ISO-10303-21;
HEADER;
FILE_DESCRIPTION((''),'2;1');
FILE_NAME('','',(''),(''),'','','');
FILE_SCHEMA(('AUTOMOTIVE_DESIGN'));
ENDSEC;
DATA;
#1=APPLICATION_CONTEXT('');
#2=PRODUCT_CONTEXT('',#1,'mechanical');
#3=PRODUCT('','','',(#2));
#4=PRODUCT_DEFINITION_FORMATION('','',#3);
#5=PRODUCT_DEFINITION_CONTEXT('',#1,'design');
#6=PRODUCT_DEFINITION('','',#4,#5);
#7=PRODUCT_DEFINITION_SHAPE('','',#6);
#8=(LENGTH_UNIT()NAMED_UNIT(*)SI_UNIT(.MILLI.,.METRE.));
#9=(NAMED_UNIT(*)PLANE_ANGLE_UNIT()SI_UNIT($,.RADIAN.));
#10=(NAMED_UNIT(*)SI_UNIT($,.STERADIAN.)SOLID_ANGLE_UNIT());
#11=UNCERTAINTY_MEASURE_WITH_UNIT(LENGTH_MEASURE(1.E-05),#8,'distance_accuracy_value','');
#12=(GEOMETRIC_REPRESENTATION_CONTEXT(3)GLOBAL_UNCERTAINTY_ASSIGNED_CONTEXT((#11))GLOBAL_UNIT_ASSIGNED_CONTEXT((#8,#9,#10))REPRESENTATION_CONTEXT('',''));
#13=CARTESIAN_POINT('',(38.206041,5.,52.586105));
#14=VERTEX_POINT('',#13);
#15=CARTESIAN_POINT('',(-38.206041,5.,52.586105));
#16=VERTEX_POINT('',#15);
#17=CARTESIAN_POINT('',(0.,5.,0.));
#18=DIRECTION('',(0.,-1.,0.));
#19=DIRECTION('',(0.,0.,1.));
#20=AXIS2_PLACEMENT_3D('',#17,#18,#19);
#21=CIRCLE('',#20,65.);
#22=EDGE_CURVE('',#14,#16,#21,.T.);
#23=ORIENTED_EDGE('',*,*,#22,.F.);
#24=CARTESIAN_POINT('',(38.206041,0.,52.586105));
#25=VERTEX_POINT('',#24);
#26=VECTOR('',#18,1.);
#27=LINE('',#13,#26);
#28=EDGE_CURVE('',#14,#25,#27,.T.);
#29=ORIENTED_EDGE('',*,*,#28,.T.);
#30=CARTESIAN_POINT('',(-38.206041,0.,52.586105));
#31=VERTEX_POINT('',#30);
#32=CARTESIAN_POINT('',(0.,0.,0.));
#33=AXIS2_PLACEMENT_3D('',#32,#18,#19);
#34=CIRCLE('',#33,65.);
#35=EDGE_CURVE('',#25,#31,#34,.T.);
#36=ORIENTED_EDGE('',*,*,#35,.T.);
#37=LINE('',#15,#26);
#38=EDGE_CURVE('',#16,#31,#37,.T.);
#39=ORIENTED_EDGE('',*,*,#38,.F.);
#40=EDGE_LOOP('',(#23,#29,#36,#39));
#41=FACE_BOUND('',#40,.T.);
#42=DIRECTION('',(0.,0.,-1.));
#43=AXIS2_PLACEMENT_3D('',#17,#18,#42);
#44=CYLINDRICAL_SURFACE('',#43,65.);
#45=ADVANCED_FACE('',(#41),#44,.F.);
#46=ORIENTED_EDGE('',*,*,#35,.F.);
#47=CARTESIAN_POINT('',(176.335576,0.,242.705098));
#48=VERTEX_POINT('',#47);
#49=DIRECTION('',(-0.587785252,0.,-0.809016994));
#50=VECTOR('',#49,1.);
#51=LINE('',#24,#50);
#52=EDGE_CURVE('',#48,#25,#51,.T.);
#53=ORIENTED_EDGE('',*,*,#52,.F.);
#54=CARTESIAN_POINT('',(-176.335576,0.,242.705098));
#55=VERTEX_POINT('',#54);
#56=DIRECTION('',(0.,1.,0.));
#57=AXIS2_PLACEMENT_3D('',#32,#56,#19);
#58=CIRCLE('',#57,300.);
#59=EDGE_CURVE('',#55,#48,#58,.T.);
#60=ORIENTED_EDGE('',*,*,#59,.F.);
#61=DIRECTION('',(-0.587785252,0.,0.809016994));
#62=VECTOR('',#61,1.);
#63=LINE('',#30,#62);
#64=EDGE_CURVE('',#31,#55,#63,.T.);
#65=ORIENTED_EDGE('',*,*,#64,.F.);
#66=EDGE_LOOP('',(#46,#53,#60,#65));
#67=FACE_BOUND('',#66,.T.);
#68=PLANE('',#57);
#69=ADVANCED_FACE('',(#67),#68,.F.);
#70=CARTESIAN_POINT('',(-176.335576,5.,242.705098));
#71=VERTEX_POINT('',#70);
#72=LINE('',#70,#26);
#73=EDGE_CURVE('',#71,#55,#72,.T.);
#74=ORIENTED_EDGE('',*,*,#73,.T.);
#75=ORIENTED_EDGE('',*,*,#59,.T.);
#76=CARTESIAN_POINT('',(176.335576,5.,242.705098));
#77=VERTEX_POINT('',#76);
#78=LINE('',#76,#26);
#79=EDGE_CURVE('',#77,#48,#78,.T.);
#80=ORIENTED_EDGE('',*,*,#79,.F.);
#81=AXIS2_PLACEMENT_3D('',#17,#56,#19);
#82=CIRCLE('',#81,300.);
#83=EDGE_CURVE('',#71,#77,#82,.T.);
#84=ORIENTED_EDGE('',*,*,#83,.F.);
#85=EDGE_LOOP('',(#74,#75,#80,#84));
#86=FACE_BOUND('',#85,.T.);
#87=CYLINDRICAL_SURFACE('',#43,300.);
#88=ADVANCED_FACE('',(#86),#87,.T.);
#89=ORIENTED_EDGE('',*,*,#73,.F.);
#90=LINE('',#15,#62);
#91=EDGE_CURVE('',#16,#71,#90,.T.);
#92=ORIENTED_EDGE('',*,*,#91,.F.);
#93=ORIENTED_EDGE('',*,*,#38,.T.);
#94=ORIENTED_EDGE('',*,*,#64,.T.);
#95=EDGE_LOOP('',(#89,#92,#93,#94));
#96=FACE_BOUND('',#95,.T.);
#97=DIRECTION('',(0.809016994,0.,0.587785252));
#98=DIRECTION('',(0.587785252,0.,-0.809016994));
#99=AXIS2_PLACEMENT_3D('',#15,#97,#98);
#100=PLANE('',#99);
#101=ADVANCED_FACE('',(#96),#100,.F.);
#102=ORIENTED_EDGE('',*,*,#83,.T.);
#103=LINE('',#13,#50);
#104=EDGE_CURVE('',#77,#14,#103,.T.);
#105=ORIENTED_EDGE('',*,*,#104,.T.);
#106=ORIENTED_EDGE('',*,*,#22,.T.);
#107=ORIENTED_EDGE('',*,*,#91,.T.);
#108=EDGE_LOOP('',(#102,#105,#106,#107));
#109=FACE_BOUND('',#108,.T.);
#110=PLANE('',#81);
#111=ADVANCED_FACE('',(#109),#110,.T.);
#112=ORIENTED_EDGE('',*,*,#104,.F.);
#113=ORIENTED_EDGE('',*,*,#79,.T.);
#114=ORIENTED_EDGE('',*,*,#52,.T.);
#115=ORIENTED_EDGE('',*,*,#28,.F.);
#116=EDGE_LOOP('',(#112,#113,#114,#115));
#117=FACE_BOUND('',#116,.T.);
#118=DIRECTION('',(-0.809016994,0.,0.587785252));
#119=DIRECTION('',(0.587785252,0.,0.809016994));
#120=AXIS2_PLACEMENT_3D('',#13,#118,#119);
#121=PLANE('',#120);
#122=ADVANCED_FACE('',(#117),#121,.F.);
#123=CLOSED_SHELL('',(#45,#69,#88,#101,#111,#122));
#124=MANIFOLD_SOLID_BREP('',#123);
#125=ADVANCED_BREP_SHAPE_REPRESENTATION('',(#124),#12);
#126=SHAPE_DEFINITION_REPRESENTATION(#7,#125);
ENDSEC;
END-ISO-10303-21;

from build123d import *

# Parameters (mm, degrees)
BOSS_EXTRUDE1_DEPTH = 5


with BuildPart() as part:
    # Sketch1 → Boss-Extrude1 (new body)
    with BuildSketch(Plane(origin=(0, 0, 0), x_dir=(1, 0, 0), z_dir=(0, 1, 0))):
        with BuildLine():
            Line((38.206041399, -52.586104634), (176.335575688, -242.705098312))
            ThreePointArc((176.335575688, -242.705098312), (0, -300), (-176.335575688, -242.705098312))
            Line((-176.335575688, -242.705098312), (-38.206041399, -52.586104634))
            ThreePointArc((-38.206041399, -52.586104634), (0, -65), (38.206041399, -52.586104634))
        make_face()
    extrude(amount=BOSS_EXTRUDE1_DEPTH)


solid = part.part
